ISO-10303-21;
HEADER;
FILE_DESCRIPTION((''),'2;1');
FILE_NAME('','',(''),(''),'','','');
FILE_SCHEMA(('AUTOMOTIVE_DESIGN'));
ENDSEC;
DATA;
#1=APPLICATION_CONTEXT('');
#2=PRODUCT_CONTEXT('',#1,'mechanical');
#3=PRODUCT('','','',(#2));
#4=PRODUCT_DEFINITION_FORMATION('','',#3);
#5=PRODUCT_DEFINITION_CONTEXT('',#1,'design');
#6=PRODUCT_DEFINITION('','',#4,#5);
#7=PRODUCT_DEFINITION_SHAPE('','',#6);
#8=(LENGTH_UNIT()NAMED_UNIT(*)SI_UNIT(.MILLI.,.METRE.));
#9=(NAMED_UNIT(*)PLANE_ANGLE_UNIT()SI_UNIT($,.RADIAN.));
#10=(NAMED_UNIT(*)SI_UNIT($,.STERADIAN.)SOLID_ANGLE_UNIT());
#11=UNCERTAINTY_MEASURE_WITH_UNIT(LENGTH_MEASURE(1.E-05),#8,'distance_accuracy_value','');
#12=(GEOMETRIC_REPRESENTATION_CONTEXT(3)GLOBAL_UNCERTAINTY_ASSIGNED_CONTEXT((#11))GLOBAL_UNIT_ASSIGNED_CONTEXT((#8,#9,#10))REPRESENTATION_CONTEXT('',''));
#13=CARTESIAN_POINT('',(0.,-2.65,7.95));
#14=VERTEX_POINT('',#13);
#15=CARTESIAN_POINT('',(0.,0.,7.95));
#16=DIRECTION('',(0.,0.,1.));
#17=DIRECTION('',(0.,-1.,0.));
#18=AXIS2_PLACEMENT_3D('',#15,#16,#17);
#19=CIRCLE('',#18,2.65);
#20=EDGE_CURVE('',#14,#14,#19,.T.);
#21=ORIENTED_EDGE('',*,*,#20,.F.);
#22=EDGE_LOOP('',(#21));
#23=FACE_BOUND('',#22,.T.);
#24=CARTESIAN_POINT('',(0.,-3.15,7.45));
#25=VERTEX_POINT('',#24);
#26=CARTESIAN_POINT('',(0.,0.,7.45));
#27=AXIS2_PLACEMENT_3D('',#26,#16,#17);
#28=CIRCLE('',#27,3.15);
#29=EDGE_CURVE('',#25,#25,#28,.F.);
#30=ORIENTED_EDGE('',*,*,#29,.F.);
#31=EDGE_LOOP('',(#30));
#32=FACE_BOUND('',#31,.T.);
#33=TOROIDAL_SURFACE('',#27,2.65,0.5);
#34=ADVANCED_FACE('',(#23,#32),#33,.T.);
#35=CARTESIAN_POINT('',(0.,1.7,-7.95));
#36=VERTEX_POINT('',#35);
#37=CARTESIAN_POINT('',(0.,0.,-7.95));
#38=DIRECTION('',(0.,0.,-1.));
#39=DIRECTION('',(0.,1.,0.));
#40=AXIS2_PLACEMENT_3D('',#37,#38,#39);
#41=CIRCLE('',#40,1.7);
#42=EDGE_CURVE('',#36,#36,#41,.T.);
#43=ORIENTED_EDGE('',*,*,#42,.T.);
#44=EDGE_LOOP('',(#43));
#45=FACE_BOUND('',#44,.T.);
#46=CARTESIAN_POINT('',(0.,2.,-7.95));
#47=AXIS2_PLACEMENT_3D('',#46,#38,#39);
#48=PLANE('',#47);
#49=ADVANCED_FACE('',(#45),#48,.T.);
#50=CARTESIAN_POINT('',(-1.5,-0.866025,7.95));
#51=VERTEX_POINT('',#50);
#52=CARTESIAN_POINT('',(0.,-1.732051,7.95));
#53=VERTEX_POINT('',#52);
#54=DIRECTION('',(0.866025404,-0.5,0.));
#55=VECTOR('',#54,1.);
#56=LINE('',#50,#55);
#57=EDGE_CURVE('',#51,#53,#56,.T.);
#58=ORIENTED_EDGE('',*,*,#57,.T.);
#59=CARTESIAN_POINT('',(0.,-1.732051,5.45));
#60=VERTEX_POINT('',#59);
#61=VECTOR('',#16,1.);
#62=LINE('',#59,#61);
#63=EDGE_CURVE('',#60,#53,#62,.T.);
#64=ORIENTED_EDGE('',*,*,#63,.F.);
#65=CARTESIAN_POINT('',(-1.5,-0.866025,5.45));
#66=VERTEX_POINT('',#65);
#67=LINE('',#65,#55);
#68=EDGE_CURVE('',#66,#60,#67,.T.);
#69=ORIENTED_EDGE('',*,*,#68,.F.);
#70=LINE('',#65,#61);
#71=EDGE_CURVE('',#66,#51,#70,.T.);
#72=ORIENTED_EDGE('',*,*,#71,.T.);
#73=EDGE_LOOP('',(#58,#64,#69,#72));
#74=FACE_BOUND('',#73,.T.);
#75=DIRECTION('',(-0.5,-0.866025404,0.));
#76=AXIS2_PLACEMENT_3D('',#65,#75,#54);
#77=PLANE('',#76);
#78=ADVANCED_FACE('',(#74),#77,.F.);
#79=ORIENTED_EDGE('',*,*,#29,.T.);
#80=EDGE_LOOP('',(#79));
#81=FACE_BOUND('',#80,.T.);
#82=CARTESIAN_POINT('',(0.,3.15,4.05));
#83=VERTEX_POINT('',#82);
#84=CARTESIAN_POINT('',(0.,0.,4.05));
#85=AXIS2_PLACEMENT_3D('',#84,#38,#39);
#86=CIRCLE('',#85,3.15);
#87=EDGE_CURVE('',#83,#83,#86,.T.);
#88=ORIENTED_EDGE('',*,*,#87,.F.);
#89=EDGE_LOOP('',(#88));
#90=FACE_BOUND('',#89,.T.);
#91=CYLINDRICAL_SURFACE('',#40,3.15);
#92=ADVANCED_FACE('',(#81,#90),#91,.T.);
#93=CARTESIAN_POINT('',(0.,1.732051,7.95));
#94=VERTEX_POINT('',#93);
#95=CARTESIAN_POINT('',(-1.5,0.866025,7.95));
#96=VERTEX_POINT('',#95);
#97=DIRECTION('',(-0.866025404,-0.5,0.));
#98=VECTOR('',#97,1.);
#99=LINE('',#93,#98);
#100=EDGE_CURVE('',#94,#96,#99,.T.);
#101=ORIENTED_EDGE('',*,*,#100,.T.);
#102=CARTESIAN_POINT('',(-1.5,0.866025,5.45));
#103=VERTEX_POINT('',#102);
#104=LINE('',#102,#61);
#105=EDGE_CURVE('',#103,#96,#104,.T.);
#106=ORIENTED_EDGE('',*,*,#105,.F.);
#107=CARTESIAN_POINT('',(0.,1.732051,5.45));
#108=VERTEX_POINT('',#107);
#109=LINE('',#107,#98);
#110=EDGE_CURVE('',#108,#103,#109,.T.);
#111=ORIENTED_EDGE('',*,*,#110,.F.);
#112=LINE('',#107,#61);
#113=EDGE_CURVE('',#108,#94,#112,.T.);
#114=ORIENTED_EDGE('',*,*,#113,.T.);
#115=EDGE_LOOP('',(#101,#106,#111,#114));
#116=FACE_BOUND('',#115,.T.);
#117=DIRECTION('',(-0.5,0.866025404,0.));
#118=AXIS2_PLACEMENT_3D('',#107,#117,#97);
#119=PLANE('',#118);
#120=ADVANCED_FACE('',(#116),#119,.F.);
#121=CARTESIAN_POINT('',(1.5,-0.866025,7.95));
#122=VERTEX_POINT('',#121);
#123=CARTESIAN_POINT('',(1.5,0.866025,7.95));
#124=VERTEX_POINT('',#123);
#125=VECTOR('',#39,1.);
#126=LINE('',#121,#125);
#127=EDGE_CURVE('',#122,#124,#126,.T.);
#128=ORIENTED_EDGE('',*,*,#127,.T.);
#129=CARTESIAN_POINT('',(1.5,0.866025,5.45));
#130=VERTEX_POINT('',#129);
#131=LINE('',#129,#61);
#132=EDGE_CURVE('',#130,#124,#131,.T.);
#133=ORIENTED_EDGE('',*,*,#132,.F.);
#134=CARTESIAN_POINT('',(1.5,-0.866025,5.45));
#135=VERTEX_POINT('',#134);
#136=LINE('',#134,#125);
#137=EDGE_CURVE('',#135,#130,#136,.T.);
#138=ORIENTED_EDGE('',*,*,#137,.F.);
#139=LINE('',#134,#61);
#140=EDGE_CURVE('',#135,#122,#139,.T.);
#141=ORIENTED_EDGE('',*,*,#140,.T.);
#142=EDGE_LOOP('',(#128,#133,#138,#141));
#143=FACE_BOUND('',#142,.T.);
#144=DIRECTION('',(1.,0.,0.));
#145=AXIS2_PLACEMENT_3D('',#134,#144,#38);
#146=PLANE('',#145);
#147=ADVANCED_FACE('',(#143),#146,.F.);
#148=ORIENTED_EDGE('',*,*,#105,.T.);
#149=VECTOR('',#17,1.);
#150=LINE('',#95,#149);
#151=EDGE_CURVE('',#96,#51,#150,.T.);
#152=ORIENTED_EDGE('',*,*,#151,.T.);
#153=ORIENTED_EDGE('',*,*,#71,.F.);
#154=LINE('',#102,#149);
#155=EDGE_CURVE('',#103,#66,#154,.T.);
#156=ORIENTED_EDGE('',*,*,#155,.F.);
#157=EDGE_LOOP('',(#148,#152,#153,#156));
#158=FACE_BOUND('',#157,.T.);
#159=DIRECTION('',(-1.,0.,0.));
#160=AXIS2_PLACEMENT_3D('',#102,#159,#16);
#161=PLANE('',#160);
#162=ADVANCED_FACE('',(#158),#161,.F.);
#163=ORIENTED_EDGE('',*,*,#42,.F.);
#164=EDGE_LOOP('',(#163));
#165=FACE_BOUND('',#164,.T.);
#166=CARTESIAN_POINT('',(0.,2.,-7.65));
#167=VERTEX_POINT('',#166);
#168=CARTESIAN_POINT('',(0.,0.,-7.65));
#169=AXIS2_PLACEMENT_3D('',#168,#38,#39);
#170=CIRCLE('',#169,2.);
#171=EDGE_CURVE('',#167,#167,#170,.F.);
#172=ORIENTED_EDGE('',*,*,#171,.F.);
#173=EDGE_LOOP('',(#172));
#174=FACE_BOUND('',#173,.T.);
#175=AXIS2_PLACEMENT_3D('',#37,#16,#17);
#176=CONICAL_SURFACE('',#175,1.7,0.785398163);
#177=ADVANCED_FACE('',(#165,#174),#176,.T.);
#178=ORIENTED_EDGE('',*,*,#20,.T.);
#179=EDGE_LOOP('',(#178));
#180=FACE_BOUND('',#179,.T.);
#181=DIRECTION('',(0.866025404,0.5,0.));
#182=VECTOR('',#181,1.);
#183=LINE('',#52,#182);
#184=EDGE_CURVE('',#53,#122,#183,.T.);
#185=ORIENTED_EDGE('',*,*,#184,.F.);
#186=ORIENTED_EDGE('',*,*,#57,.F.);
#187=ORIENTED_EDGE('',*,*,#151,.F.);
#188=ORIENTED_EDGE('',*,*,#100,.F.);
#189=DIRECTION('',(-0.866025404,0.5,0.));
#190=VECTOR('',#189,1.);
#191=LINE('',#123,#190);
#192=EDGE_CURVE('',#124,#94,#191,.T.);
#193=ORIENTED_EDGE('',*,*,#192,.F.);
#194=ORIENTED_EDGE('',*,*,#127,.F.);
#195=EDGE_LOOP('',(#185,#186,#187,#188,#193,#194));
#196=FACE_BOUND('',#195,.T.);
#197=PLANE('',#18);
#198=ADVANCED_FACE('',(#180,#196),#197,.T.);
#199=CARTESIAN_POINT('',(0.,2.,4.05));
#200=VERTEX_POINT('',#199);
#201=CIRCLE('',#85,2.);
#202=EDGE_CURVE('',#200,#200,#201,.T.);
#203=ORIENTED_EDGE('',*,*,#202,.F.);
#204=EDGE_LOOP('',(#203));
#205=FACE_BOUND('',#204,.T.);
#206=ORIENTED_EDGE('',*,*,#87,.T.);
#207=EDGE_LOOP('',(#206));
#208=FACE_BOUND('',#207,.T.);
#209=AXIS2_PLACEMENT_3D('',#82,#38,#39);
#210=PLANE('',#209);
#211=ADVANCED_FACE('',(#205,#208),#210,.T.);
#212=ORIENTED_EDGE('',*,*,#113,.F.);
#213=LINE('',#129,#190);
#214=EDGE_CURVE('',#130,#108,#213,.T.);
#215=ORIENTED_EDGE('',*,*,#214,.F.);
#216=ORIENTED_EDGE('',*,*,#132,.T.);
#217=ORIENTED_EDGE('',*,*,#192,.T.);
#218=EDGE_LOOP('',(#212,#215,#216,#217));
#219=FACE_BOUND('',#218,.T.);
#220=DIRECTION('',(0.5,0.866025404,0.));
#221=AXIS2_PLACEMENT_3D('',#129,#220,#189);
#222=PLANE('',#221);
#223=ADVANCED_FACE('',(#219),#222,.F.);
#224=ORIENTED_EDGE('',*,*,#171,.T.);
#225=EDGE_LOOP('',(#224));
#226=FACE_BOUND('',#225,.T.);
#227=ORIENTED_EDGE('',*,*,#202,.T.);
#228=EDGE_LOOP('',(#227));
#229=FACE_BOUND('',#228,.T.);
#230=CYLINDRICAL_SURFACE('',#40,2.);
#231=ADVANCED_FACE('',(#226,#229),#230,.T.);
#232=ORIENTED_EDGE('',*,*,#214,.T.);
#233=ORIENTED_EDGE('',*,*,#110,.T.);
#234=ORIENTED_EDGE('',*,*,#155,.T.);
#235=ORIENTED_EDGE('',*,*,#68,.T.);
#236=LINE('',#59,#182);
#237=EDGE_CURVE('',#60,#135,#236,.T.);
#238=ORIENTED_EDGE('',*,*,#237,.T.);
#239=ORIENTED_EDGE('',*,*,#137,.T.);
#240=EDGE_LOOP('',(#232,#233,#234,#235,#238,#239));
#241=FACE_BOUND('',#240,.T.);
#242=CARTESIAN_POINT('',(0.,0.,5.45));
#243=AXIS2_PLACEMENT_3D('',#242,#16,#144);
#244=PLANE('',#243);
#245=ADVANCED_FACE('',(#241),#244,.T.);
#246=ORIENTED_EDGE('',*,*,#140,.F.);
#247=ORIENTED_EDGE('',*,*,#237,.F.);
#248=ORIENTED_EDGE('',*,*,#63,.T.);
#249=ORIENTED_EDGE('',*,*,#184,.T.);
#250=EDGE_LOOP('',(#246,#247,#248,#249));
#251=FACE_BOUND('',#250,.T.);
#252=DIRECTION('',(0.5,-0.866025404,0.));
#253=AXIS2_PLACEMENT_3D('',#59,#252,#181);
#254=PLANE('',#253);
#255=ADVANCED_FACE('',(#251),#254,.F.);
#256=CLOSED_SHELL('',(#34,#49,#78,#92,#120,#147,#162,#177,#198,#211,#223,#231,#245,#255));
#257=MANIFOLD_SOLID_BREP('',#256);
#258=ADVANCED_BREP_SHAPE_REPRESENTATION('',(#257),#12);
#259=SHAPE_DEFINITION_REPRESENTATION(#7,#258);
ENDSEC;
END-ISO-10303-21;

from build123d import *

# Parameters (mm, degrees)
CUT_EXTRUDE_1_DEPTH = 2.5
FILLET_1_R          = 0.5
CHAMFER_1_SIZE      = 0.3


with BuildPart() as part:
    # 草图1 → 旋转1 (revolve)
    with BuildSketch(Plane(origin=(0, 0, 0), x_dir=(0, 0, -1), z_dir=(1, 0, 0))):
        Polygon((-7.95, 0), (-7.95, 3.15), (-4.05, 3.15), (-4.05, 2), (7.95, 2), (7.95, 0), align=None)
    revolve(axis=Axis((0, 0, -7.95), (0, 0, 1)))

    # 草图2 → 切除-拉伸1 (cut)
    with BuildSketch(Plane.XY.offset(7.95)):
        Polygon((0, 1.732050808), (-1.5, 0.866025404), (-1.5, -0.866025404), (0, -1.732050808), (1.5, -0.866025404), (1.5, 0.866025404), align=None)
    extrude(amount=-CUT_EXTRUDE_1_DEPTH, mode=Mode.SUBTRACT)

    # 圆角1
    fillet_1_edges = [part.edges().sort_by_distance(p)[0] for p in [
        (0, -3.15, 7.95),
    ]]
    fillet(fillet_1_edges, radius=FILLET_1_R)

    # 倒角1
    chamfer_1_edges = [part.edges().sort_by_distance(p)[0] for p in [
        (0, -2, -7.95),
    ]]
    chamfer(chamfer_1_edges, length=CHAMFER_1_SIZE)


solid = part.part
